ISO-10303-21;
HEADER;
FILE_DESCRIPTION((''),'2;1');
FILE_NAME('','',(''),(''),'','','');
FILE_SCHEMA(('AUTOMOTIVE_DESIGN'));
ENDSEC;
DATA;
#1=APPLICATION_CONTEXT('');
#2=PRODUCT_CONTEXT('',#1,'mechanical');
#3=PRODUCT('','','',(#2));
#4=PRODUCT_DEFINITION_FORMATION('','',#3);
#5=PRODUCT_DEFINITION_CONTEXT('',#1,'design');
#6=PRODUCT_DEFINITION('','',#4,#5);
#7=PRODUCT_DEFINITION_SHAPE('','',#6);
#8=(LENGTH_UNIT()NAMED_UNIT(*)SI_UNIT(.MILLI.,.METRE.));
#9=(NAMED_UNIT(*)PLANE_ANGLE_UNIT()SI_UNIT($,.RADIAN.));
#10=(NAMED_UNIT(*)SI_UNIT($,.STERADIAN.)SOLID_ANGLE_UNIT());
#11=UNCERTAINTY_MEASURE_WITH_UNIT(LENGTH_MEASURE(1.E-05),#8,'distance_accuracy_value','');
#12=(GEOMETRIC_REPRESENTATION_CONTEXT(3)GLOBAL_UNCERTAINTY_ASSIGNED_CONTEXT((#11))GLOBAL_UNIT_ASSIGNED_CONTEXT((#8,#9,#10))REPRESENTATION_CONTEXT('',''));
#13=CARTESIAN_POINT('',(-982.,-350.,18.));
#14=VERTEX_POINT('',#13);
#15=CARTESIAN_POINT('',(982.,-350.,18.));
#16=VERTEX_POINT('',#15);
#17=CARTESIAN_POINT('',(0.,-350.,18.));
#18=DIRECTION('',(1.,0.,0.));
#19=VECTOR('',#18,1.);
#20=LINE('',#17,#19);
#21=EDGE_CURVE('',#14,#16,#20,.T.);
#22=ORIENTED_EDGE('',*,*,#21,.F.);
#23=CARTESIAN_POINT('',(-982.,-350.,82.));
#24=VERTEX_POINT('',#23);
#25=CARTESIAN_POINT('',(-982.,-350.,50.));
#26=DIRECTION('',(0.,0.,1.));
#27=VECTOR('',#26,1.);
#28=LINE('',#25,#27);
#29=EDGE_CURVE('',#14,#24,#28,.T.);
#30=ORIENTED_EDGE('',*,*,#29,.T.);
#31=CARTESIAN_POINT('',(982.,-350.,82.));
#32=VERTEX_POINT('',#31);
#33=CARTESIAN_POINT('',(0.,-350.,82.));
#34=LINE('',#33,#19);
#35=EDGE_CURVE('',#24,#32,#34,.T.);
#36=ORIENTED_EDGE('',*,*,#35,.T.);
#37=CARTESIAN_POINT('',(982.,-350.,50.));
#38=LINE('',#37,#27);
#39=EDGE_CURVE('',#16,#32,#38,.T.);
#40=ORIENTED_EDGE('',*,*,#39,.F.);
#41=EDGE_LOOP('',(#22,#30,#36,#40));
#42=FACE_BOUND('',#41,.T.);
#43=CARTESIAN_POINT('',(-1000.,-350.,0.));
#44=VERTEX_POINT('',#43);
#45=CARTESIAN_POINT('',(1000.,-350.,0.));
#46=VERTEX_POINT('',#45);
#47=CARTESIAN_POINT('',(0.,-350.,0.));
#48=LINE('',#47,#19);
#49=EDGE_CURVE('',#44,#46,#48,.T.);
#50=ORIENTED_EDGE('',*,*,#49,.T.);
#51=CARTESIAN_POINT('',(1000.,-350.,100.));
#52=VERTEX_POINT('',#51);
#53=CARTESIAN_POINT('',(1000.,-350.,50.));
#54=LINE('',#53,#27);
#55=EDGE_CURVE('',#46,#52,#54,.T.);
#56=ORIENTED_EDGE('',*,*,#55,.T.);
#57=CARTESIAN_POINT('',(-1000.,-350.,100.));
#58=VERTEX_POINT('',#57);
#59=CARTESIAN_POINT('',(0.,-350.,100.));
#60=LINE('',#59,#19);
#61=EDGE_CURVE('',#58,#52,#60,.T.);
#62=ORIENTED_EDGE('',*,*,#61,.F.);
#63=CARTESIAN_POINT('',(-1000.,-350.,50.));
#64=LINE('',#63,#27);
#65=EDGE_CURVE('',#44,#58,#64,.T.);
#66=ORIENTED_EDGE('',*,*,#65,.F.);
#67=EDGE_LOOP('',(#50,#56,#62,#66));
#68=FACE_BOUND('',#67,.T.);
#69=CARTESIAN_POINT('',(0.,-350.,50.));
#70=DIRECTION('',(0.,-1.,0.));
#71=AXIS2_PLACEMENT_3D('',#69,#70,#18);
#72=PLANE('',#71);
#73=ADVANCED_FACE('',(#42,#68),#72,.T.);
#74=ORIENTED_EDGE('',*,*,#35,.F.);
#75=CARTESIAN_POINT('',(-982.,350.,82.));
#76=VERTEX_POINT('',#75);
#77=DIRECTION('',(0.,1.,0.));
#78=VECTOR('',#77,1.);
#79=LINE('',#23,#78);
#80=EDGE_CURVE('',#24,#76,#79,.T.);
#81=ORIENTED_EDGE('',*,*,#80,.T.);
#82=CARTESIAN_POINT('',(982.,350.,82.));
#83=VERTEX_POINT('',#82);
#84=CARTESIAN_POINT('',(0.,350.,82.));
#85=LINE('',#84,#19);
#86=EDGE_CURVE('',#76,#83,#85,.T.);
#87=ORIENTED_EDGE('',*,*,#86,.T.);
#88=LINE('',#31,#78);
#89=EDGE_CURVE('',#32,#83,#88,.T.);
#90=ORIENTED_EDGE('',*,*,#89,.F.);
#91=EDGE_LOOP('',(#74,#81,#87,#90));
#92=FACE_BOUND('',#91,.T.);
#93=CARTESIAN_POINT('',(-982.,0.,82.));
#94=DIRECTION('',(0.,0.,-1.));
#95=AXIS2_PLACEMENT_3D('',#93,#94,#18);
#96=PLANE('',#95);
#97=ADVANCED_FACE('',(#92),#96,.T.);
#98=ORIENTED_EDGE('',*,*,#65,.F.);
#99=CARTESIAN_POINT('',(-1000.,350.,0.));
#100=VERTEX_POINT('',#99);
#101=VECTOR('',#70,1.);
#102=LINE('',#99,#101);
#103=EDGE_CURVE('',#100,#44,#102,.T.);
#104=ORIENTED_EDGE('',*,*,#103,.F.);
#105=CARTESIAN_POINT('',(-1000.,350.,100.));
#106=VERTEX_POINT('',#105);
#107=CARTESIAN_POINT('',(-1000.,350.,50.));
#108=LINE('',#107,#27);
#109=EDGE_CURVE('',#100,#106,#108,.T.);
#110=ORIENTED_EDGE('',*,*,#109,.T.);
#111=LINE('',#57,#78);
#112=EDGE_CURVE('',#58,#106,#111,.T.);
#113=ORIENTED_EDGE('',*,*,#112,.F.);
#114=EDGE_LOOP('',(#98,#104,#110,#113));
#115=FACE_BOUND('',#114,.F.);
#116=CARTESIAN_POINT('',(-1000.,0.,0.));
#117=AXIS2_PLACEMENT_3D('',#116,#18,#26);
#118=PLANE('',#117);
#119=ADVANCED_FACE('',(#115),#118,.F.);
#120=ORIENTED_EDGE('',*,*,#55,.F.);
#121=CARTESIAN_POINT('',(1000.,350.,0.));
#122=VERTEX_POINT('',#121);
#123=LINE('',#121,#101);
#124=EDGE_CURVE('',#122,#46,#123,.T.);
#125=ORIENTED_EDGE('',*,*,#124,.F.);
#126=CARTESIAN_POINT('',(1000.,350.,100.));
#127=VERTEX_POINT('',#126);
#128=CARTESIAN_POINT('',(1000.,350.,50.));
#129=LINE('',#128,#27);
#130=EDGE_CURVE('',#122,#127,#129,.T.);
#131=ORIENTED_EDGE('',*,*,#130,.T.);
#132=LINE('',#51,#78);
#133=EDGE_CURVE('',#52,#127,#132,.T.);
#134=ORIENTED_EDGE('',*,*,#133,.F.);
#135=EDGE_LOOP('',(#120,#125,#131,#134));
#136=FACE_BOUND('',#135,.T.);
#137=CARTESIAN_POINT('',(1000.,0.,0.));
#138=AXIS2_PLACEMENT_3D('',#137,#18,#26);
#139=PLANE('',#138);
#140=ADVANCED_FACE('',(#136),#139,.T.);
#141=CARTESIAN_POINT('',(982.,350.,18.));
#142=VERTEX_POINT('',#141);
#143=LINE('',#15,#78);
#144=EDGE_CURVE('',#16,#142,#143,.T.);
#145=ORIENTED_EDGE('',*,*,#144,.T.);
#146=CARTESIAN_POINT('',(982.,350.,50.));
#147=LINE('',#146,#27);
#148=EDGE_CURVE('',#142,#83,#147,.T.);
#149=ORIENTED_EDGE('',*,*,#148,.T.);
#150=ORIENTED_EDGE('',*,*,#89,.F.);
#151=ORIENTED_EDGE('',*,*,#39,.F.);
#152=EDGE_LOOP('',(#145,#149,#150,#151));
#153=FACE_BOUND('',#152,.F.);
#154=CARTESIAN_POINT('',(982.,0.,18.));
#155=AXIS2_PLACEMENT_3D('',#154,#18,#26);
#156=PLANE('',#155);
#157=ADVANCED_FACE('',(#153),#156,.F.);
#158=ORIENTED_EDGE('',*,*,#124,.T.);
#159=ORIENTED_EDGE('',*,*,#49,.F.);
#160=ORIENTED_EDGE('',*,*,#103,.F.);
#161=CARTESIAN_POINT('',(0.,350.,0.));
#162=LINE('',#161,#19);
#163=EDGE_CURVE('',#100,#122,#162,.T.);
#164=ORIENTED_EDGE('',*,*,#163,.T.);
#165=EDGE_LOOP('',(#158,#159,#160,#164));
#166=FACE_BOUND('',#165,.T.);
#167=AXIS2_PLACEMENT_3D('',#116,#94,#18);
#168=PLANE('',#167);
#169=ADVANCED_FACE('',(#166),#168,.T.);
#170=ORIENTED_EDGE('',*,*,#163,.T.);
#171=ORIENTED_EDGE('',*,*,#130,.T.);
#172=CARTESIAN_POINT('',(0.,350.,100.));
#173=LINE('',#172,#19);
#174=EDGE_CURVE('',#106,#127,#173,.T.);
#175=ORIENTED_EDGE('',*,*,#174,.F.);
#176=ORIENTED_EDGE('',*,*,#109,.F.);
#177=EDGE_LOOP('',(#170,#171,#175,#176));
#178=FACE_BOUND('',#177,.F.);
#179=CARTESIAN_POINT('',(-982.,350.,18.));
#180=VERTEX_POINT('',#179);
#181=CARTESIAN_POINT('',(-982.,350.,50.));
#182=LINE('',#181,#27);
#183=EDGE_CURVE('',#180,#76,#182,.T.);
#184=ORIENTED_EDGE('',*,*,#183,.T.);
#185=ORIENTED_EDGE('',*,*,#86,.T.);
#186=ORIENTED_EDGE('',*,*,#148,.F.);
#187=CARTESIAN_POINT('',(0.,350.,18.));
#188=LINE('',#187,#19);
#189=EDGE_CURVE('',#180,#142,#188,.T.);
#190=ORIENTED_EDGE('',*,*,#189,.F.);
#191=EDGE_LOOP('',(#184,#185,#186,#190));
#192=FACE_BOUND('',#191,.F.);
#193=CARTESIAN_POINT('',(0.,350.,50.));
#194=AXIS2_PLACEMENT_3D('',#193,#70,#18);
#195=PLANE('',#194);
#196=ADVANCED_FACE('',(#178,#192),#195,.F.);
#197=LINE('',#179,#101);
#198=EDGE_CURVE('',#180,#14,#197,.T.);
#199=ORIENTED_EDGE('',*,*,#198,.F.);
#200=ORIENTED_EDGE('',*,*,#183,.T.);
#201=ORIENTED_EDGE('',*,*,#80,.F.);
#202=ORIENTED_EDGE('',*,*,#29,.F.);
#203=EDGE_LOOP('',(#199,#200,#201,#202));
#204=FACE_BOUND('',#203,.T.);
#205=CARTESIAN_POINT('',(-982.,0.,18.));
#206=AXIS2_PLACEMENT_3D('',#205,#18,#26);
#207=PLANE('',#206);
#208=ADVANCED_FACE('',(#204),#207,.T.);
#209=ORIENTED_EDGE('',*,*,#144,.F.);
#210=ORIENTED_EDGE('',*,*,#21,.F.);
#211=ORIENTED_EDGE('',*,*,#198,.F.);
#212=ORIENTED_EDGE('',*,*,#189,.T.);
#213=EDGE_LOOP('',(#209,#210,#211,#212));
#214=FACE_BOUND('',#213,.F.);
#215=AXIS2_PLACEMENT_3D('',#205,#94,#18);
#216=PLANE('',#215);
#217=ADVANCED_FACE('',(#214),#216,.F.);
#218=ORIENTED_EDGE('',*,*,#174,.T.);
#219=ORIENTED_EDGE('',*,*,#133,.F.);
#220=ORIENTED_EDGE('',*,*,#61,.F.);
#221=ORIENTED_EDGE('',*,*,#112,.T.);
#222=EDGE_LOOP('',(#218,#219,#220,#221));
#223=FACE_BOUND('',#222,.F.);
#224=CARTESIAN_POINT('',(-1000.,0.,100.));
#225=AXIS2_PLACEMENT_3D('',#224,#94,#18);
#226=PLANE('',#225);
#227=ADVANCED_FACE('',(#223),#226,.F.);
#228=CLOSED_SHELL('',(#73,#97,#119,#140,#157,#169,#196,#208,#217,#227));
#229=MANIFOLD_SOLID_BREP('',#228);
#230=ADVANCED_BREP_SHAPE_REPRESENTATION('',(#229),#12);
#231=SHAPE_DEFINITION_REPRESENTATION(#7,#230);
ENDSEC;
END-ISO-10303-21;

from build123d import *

# Parameters (mm, degrees)
F0_W     = 2000
F0_H     = 100
F0_W_2   = 1964
F0_H_2   = 64
F1_DEPTH = 350


with BuildPart() as f1:
    # F0 (on Front) → F1 (new body, symmetric)
    with BuildSketch(Plane.XZ):
        with Locations((0, 50)):
            Rectangle(F0_W, F0_H)
        with Locations((0, 50)):
            Rectangle(F0_W_2, F0_H_2, mode=Mode.SUBTRACT)
    extrude(amount=F1_DEPTH, both=True)


solid = f1.part
